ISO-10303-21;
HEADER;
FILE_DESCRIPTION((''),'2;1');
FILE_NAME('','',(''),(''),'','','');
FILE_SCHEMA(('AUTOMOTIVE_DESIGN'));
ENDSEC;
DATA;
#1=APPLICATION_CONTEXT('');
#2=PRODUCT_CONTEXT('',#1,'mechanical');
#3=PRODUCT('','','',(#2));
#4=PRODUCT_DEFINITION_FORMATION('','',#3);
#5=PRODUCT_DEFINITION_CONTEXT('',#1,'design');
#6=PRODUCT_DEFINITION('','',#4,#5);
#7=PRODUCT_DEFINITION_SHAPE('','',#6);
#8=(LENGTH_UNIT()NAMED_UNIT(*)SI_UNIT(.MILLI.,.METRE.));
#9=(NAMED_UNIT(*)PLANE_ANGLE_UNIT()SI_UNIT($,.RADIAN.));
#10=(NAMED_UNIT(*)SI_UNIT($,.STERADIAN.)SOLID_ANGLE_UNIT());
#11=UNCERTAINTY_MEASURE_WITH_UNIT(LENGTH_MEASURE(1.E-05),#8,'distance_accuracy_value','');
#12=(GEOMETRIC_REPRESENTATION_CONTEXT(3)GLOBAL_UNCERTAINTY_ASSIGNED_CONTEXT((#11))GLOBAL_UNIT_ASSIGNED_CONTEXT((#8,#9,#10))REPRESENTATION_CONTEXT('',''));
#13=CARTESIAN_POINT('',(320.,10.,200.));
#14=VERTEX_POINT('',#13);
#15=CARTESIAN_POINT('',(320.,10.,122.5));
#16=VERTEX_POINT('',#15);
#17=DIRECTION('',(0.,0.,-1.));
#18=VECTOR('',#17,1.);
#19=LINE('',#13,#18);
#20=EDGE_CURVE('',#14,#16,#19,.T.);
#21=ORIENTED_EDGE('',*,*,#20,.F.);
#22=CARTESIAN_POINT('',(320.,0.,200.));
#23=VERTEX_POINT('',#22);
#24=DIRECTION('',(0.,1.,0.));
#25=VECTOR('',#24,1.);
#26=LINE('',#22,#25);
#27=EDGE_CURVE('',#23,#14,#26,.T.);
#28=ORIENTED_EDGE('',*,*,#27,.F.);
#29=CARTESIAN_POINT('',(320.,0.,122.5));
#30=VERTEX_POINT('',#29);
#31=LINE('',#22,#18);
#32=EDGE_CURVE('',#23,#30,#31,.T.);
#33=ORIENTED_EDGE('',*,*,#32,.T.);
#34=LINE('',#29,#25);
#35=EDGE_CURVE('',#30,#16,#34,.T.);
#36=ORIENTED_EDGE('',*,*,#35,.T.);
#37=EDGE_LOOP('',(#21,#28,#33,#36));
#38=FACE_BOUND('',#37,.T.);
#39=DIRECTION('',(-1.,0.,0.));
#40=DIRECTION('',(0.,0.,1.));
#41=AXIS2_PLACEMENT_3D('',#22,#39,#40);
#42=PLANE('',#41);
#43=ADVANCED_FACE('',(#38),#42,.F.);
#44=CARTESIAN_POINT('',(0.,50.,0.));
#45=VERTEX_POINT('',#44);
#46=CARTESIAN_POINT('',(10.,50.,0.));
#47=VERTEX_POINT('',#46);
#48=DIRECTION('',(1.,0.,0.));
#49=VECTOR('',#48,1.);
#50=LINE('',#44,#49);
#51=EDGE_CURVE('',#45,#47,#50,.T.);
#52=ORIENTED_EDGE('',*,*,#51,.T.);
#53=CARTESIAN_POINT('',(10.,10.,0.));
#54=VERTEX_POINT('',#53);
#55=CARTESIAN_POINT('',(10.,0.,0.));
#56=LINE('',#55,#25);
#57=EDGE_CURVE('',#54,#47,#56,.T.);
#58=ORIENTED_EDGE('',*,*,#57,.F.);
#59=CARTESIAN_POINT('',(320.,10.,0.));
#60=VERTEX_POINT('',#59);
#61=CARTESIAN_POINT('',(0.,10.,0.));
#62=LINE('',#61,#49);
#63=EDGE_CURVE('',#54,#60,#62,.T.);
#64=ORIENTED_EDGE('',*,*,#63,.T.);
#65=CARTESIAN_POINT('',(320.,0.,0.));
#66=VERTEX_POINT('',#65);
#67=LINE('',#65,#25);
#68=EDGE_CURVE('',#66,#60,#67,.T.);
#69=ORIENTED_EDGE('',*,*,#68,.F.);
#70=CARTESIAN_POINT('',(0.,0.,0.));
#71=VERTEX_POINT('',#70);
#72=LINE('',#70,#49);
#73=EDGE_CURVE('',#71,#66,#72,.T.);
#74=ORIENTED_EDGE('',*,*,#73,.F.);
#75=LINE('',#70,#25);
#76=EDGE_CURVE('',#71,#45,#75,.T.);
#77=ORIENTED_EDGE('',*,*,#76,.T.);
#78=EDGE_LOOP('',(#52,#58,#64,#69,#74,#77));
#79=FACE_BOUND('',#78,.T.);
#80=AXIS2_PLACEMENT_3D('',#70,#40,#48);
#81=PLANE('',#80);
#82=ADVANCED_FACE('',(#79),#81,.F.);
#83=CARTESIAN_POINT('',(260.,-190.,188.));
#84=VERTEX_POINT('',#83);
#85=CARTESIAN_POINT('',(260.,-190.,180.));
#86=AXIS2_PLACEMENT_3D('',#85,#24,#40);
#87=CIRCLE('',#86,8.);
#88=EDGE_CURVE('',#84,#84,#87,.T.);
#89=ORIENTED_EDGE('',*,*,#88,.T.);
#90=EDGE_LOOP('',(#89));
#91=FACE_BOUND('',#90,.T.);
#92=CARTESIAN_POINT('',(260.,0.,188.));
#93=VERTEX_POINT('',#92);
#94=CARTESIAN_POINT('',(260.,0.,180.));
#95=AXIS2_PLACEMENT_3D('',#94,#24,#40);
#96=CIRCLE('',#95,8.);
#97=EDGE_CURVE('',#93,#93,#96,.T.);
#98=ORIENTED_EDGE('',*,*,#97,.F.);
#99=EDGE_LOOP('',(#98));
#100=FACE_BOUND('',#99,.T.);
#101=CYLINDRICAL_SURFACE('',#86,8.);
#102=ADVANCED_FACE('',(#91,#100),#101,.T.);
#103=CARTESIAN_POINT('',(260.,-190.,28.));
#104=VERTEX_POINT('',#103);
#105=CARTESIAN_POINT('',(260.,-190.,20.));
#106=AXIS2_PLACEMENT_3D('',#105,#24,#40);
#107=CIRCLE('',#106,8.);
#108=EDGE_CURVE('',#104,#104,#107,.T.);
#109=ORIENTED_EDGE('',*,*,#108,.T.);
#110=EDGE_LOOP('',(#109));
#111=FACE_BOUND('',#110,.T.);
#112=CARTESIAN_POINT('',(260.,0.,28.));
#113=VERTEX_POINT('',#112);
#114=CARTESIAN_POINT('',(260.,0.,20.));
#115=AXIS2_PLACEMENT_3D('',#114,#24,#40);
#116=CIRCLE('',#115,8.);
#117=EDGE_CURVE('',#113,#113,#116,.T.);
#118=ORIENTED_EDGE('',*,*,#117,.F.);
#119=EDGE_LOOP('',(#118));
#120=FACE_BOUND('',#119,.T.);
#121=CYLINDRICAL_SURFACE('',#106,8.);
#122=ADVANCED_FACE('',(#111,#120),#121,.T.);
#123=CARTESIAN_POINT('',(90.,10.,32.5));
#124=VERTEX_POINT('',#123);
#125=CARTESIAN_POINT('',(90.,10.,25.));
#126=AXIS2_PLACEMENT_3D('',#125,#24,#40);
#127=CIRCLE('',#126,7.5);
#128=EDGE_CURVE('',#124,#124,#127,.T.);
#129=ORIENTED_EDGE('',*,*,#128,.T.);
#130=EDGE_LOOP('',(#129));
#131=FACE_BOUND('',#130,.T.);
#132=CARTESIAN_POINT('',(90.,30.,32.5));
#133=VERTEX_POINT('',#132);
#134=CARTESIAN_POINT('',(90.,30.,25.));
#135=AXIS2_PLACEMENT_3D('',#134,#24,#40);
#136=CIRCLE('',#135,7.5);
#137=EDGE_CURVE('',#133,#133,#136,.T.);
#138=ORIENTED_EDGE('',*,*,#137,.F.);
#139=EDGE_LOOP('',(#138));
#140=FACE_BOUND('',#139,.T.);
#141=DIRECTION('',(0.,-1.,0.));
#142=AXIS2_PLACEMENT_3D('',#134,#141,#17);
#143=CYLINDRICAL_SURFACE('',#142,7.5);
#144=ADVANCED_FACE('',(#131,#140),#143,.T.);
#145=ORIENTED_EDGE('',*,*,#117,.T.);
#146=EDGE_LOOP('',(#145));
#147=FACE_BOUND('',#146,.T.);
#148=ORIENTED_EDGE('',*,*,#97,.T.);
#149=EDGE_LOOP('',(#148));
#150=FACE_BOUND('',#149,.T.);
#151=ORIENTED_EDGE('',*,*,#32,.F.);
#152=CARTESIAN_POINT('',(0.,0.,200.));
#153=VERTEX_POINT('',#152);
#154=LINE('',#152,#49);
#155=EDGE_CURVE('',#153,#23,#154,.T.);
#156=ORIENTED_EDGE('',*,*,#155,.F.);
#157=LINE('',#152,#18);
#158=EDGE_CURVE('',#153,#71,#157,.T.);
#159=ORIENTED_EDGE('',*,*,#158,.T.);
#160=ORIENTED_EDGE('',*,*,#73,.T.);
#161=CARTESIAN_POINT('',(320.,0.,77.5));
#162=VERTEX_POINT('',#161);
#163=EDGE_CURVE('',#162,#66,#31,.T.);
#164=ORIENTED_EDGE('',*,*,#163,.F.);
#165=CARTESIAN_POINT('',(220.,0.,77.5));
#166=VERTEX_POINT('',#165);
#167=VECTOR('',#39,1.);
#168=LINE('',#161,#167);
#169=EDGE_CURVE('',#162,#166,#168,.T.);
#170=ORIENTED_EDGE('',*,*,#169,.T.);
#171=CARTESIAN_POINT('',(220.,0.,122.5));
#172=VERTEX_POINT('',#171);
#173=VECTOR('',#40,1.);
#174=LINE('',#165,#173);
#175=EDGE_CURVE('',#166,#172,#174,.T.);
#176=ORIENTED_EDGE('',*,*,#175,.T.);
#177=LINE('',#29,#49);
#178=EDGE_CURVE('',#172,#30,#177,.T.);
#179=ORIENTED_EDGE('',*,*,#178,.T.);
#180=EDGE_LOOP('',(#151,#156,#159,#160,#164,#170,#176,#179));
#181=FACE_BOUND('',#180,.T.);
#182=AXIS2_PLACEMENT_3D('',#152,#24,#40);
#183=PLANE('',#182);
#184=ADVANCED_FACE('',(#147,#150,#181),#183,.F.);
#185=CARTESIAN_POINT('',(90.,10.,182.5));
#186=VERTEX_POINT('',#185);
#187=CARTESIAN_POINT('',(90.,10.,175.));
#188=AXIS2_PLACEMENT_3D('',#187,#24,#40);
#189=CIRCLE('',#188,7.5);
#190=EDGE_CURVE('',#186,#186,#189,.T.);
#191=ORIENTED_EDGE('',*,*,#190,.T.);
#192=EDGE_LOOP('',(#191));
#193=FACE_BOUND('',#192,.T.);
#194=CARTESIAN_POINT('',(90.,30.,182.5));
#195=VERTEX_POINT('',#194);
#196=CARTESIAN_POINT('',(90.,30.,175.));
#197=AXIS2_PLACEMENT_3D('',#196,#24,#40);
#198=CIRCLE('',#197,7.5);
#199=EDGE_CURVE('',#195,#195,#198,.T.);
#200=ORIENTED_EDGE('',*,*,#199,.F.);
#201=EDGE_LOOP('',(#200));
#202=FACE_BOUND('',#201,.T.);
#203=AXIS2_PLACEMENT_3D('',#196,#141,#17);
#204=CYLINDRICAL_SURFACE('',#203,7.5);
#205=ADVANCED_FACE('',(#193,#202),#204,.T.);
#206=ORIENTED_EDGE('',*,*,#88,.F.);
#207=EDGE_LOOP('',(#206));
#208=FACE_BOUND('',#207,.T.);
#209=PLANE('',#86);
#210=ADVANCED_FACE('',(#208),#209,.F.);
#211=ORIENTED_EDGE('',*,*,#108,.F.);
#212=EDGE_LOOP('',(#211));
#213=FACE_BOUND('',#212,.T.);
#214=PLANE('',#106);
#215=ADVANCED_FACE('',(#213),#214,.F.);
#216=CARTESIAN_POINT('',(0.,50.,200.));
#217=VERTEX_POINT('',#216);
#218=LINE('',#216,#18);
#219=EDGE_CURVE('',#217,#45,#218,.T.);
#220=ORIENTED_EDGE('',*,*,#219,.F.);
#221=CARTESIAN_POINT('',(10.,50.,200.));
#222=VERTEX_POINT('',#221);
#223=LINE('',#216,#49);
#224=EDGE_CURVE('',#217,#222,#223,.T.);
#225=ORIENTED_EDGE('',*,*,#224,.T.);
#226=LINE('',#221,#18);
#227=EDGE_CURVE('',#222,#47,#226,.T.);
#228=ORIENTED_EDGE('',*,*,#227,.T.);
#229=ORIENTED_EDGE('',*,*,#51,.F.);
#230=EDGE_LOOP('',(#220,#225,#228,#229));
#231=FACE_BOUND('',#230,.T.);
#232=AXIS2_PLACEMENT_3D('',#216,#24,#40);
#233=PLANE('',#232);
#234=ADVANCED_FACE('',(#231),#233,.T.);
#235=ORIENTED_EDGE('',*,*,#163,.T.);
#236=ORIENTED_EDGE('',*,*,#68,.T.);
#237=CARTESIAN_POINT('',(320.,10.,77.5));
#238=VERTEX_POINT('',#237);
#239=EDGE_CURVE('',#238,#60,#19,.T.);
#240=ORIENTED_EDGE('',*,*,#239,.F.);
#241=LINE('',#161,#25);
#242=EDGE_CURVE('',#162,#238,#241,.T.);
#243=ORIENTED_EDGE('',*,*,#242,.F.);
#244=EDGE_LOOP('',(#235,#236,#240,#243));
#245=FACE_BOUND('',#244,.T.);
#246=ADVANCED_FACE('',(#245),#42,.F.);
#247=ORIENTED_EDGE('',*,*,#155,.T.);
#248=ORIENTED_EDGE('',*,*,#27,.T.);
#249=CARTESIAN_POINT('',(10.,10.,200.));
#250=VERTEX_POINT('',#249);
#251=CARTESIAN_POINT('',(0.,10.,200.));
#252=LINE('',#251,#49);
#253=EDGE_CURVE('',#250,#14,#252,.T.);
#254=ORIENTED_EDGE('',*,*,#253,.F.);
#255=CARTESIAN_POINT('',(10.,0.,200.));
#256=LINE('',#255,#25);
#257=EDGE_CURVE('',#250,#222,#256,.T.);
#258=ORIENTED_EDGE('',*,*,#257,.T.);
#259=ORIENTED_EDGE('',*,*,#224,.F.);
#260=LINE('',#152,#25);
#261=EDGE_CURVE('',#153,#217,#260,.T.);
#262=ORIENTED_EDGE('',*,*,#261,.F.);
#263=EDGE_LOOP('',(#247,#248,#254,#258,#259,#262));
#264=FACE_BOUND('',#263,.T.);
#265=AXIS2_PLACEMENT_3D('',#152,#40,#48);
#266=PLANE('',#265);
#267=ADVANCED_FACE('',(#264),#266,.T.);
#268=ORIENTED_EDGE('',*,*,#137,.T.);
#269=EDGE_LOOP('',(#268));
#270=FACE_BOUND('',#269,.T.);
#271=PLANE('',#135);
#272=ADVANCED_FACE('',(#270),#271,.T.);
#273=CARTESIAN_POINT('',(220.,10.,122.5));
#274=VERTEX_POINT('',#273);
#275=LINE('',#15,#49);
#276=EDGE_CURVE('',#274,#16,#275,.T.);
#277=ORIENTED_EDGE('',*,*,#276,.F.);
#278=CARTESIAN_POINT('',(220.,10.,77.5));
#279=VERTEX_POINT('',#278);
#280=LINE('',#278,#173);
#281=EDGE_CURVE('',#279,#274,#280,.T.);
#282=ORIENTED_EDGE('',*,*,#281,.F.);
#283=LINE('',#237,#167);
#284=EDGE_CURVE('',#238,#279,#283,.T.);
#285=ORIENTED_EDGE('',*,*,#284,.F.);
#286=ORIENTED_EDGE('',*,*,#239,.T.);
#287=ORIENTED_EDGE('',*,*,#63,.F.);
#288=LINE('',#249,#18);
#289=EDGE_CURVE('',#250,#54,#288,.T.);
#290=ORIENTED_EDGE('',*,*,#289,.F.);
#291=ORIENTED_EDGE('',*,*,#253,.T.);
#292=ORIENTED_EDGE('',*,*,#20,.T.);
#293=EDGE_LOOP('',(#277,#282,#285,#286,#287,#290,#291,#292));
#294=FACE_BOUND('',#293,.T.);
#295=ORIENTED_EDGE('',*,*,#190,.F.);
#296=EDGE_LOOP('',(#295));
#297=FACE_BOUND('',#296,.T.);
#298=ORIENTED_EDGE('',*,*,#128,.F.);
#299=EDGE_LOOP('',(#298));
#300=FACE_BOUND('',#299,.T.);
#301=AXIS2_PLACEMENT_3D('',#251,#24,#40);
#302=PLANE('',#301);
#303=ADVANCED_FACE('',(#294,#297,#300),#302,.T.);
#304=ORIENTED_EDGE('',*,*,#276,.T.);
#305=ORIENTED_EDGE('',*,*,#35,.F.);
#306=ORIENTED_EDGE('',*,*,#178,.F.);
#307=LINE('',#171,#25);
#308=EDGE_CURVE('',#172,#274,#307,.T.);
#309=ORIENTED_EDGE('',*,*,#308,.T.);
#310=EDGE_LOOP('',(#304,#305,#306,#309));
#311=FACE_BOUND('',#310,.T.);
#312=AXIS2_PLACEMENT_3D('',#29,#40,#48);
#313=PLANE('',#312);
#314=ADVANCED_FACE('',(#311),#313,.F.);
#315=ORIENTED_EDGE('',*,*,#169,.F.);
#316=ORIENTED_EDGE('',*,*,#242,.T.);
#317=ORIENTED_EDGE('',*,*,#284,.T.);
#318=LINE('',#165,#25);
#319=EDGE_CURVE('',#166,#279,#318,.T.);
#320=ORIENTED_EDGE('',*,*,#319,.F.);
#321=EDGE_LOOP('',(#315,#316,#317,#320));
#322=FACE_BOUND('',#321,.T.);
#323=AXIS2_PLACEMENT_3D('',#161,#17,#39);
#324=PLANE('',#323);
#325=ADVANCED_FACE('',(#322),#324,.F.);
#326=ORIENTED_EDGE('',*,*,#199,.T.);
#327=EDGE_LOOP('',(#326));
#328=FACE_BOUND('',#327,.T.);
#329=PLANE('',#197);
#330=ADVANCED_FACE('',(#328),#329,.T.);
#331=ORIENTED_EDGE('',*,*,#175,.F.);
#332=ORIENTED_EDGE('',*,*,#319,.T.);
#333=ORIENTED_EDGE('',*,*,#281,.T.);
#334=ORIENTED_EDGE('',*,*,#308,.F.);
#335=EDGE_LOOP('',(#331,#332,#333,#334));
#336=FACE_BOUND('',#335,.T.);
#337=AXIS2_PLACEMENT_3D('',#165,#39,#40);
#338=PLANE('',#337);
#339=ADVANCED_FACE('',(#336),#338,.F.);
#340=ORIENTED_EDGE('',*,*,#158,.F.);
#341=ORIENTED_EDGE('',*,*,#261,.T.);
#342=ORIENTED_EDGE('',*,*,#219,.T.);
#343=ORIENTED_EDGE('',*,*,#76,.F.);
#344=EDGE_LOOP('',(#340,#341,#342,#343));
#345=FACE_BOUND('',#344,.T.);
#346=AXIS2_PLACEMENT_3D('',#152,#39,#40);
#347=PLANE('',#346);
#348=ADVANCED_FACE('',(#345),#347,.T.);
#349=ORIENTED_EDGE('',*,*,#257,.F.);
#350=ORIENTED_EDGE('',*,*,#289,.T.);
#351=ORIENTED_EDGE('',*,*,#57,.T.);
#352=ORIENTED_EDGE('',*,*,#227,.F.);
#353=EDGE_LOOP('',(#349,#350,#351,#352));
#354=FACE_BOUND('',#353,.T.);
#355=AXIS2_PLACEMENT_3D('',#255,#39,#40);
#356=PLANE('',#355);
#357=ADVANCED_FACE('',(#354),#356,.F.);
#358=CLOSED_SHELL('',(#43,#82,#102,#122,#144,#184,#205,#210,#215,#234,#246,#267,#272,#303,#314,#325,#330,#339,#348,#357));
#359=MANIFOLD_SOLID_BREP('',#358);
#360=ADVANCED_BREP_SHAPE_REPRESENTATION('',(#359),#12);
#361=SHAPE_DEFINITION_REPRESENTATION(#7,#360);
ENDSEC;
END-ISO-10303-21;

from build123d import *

# Parameters (mm, degrees)
ESQUISSE1_W             = 310
ESQUISSE1_H             = 10
ESQUISSE1_W_2           = 10
ESQUISSE1_H_2           = 40
BOSS_EXTRU_1_DEPTH      = 200
ESQUISSE2_R             = 7.5
BOSS_EXTRU_2_DEPTH      = 20
ESQUISSE3_R             = 8
BOSS_EXTRU_3_DEPTH      = 200
ESQUISSE4_W             = 100
ESQUISSE4_H             = 45
ENL_V_MAT_EXTRU_1_DEPTH = 10


with BuildPart() as part:
    # Esquisse1 → Boss.-Extru.1 (new body)
    with BuildSketch(Plane.XY):
        with Locations((165, 5)):
            Rectangle(ESQUISSE1_W, ESQUISSE1_H)
        with Locations((5, 30)):
            Rectangle(ESQUISSE1_W_2, ESQUISSE1_H_2)
        with Locations((5, 5)):
            Rectangle(ESQUISSE1_W_2, ESQUISSE1_H)
    extrude(amount=BOSS_EXTRU_1_DEPTH)

    # Esquisse2 → Boss.-Extru.2 (add)
    with BuildSketch(Plane(origin=(0, 10, 0), x_dir=(1, 0, 0), z_dir=(0, 1, 0))):
        with Locations(Location((90, -25, 0), (0, 0, 270))):
            Circle(ESQUISSE2_R)
        with Locations(Location((90, -175, 0), (0, 0, 270))):
            Circle(ESQUISSE2_R)
    extrude(amount=BOSS_EXTRU_2_DEPTH)

    # Esquisse3 → Boss.-Extru.3 (add)
    with BuildSketch(Plane(origin=(0, 10, 0), x_dir=(1, 0, 0), z_dir=(0, 1, 0))):
        with Locations(Location((260, -20, 0), (0, 0, 270))):
            Circle(ESQUISSE3_R)
        with Locations(Location((260, -180, 0), (0, 0, 270))):
            Circle(ESQUISSE3_R)
    extrude(amount=-BOSS_EXTRU_3_DEPTH)

    # Esquisse4 → Enlèv. mat.-Extru.1 (cut)
    with BuildSketch(Plane(origin=(0, 10, 0), x_dir=(1, 0, 0), z_dir=(0, 1, 0))):
        with Locations((270, -100)):
            Rectangle(ESQUISSE4_W, ESQUISSE4_H)
    extrude(amount=-ENL_V_MAT_EXTRU_1_DEPTH, mode=Mode.SUBTRACT)


solid = part.part
